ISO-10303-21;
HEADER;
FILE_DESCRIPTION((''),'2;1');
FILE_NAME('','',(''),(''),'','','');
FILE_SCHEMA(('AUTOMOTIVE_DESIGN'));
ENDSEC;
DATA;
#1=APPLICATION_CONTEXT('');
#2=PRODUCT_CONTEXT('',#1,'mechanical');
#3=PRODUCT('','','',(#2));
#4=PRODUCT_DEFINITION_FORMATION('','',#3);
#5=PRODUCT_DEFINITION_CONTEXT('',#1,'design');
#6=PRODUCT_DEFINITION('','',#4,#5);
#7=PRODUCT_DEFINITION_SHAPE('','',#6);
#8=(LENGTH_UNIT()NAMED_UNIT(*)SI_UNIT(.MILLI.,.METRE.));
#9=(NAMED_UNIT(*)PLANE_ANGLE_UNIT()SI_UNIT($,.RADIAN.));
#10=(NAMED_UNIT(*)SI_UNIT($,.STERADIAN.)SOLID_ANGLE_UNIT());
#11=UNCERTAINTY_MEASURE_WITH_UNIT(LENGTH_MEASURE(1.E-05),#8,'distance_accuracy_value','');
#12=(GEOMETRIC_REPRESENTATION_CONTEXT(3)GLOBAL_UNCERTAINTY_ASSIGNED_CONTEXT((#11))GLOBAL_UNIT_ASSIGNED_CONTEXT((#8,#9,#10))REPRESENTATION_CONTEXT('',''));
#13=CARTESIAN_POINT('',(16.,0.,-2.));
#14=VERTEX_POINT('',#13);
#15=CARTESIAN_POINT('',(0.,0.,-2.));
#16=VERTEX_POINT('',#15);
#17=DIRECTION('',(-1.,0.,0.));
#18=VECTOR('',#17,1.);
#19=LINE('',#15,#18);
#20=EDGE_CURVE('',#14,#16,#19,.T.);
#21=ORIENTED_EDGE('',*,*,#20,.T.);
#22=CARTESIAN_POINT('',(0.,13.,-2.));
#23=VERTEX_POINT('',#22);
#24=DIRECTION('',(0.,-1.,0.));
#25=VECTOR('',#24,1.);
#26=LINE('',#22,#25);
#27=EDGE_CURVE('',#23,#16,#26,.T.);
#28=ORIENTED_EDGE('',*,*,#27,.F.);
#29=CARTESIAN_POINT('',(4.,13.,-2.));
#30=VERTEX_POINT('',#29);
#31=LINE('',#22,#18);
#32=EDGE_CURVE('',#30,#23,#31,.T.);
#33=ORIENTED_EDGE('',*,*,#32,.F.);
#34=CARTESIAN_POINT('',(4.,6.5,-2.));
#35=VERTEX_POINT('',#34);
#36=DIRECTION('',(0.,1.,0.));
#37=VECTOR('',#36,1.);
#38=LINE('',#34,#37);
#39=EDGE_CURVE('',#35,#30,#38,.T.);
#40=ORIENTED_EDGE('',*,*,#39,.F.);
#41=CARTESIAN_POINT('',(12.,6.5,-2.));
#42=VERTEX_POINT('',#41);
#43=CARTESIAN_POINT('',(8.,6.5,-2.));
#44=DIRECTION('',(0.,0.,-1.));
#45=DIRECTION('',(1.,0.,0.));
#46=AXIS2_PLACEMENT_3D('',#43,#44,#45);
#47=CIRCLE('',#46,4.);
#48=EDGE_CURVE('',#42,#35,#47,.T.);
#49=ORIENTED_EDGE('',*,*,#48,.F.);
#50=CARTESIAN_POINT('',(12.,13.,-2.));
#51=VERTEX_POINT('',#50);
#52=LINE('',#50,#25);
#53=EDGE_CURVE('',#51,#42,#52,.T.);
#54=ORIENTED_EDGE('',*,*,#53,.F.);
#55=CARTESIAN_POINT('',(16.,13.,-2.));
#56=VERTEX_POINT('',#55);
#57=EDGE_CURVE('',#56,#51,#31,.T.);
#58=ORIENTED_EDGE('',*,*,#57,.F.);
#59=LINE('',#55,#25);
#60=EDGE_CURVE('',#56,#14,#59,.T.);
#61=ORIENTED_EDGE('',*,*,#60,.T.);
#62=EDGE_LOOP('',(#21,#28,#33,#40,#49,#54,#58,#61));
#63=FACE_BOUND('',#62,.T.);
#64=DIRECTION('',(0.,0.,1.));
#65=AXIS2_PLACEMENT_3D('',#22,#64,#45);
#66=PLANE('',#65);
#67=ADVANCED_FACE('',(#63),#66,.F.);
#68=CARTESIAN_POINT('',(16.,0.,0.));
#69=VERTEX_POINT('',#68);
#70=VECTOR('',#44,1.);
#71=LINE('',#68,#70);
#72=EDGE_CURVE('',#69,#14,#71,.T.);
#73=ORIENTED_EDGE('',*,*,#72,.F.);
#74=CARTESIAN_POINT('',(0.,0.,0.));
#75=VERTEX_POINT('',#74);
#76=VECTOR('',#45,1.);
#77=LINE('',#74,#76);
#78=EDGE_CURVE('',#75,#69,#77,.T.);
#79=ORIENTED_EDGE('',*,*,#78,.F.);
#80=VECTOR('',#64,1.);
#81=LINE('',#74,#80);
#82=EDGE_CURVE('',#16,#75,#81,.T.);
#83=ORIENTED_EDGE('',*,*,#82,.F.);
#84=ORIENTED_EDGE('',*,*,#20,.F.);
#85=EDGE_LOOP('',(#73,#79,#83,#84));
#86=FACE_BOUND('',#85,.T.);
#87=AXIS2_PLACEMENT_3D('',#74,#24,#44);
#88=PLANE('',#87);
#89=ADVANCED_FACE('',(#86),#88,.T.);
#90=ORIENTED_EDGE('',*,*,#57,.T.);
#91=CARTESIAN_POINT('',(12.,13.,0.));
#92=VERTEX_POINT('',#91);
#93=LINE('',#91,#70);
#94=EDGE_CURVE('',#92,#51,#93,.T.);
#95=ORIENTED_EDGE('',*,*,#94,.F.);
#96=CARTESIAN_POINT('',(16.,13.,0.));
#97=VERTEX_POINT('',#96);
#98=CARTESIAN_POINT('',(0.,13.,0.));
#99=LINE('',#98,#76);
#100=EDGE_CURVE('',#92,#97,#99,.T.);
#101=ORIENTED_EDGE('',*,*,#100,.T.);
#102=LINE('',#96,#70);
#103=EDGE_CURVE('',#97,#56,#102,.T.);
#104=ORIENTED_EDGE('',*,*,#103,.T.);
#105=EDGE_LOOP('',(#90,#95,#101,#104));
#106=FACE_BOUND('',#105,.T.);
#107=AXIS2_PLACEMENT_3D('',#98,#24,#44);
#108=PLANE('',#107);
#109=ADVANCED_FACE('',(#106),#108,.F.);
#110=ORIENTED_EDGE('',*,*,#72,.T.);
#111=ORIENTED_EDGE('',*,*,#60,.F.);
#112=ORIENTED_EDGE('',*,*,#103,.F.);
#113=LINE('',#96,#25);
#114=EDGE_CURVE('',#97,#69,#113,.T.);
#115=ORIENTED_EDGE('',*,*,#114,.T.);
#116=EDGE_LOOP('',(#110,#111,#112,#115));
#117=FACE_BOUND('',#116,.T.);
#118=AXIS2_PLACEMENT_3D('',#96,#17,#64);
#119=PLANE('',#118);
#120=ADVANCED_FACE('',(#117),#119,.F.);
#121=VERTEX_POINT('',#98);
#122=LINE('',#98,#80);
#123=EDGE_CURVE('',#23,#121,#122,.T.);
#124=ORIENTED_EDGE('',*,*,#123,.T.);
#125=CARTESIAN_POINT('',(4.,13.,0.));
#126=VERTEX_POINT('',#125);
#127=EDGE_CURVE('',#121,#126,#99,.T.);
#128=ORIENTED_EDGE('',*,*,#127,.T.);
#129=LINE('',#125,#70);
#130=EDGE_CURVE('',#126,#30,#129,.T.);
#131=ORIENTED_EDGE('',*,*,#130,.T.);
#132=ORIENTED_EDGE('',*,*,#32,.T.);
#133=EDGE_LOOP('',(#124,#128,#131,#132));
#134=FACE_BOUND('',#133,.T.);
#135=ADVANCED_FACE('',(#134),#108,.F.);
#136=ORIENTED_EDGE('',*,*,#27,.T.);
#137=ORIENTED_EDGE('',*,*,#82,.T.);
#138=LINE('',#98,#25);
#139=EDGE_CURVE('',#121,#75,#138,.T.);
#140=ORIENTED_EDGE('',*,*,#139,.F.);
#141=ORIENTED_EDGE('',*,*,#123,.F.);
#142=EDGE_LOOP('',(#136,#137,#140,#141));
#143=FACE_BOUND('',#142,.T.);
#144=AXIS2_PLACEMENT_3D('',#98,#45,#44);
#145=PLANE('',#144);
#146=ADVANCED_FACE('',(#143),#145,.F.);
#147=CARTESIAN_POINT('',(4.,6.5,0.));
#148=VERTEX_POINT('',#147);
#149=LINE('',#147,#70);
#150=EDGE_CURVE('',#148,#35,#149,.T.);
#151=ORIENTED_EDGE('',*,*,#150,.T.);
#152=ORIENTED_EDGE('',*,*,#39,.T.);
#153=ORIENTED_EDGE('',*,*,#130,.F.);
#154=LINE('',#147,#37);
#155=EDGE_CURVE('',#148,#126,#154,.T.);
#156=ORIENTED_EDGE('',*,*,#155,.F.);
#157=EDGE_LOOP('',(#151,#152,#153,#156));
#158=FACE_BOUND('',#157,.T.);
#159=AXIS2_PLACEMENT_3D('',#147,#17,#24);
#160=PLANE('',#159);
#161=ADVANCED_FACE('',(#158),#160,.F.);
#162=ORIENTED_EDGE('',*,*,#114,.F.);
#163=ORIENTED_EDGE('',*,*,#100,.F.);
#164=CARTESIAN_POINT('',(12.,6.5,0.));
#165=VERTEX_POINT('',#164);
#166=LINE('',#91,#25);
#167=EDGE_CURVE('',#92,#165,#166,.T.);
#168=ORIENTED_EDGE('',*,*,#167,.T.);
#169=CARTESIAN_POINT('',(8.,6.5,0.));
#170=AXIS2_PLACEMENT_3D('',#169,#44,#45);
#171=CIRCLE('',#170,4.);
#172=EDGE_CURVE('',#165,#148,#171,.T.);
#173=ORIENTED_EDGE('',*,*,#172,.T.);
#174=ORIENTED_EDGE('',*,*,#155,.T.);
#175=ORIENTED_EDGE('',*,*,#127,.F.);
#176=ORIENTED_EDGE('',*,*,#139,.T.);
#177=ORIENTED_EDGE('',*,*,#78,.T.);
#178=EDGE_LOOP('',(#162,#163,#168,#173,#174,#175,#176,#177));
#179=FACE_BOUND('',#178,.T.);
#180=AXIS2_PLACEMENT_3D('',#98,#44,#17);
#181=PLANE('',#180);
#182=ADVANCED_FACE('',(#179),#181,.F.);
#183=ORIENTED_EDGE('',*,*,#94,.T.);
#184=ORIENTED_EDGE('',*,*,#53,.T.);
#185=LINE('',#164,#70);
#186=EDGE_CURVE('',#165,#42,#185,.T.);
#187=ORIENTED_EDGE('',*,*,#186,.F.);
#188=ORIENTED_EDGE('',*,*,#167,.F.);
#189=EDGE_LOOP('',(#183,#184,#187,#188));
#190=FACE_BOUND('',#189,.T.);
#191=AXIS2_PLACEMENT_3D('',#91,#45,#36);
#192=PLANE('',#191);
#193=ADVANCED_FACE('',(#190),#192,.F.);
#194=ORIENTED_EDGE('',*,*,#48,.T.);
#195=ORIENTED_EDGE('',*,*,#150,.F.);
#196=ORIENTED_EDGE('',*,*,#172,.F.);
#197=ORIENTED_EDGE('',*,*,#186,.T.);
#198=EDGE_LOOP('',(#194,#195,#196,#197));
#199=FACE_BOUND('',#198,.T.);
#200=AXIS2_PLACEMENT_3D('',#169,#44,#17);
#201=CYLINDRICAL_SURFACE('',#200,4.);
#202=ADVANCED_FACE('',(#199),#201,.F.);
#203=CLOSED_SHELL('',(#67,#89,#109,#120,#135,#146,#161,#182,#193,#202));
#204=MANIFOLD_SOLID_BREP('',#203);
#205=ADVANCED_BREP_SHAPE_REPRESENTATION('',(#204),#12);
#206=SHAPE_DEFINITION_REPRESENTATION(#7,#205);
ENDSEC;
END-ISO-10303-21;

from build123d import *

# Parameters (mm, degrees)
CROQUIS1_W              = 16
CROQUIS1_H              = 2
SALIENTE_EXTRUIR1_DEPTH = 13
CORTAR_EXTRUIR1_DEPTH   = 21.712315177


with BuildPart() as part:
    # Croquis1 → Saliente-Extruir1 (new body)
    with BuildSketch(Plane(origin=(0, 0, 0), x_dir=(1, 0, 0), z_dir=(0, 1, 0))):
        with Locations((8, 1)):
            Rectangle(CROQUIS1_W, CROQUIS1_H)
    extrude(amount=SALIENTE_EXTRUIR1_DEPTH)

    # Croquis2 → Cortar-Extruir1 (cut, through all)
    with BuildSketch(Plane(origin=(0, 0, -2), x_dir=(-1, 0, 0), z_dir=(0, 0, -1))):
        with BuildLine():
            Line((-4, 6.5), (-4, 13))
            Line((-4, 13), (-12, 13))
            Line((-12, 13), (-12, 6.5))
            ThreePointArc((-12, 6.5), (-8, 2.5), (-4, 6.5))
        make_face()
    extrude(amount=-CORTAR_EXTRUIR1_DEPTH, mode=Mode.SUBTRACT)


solid = part.part
